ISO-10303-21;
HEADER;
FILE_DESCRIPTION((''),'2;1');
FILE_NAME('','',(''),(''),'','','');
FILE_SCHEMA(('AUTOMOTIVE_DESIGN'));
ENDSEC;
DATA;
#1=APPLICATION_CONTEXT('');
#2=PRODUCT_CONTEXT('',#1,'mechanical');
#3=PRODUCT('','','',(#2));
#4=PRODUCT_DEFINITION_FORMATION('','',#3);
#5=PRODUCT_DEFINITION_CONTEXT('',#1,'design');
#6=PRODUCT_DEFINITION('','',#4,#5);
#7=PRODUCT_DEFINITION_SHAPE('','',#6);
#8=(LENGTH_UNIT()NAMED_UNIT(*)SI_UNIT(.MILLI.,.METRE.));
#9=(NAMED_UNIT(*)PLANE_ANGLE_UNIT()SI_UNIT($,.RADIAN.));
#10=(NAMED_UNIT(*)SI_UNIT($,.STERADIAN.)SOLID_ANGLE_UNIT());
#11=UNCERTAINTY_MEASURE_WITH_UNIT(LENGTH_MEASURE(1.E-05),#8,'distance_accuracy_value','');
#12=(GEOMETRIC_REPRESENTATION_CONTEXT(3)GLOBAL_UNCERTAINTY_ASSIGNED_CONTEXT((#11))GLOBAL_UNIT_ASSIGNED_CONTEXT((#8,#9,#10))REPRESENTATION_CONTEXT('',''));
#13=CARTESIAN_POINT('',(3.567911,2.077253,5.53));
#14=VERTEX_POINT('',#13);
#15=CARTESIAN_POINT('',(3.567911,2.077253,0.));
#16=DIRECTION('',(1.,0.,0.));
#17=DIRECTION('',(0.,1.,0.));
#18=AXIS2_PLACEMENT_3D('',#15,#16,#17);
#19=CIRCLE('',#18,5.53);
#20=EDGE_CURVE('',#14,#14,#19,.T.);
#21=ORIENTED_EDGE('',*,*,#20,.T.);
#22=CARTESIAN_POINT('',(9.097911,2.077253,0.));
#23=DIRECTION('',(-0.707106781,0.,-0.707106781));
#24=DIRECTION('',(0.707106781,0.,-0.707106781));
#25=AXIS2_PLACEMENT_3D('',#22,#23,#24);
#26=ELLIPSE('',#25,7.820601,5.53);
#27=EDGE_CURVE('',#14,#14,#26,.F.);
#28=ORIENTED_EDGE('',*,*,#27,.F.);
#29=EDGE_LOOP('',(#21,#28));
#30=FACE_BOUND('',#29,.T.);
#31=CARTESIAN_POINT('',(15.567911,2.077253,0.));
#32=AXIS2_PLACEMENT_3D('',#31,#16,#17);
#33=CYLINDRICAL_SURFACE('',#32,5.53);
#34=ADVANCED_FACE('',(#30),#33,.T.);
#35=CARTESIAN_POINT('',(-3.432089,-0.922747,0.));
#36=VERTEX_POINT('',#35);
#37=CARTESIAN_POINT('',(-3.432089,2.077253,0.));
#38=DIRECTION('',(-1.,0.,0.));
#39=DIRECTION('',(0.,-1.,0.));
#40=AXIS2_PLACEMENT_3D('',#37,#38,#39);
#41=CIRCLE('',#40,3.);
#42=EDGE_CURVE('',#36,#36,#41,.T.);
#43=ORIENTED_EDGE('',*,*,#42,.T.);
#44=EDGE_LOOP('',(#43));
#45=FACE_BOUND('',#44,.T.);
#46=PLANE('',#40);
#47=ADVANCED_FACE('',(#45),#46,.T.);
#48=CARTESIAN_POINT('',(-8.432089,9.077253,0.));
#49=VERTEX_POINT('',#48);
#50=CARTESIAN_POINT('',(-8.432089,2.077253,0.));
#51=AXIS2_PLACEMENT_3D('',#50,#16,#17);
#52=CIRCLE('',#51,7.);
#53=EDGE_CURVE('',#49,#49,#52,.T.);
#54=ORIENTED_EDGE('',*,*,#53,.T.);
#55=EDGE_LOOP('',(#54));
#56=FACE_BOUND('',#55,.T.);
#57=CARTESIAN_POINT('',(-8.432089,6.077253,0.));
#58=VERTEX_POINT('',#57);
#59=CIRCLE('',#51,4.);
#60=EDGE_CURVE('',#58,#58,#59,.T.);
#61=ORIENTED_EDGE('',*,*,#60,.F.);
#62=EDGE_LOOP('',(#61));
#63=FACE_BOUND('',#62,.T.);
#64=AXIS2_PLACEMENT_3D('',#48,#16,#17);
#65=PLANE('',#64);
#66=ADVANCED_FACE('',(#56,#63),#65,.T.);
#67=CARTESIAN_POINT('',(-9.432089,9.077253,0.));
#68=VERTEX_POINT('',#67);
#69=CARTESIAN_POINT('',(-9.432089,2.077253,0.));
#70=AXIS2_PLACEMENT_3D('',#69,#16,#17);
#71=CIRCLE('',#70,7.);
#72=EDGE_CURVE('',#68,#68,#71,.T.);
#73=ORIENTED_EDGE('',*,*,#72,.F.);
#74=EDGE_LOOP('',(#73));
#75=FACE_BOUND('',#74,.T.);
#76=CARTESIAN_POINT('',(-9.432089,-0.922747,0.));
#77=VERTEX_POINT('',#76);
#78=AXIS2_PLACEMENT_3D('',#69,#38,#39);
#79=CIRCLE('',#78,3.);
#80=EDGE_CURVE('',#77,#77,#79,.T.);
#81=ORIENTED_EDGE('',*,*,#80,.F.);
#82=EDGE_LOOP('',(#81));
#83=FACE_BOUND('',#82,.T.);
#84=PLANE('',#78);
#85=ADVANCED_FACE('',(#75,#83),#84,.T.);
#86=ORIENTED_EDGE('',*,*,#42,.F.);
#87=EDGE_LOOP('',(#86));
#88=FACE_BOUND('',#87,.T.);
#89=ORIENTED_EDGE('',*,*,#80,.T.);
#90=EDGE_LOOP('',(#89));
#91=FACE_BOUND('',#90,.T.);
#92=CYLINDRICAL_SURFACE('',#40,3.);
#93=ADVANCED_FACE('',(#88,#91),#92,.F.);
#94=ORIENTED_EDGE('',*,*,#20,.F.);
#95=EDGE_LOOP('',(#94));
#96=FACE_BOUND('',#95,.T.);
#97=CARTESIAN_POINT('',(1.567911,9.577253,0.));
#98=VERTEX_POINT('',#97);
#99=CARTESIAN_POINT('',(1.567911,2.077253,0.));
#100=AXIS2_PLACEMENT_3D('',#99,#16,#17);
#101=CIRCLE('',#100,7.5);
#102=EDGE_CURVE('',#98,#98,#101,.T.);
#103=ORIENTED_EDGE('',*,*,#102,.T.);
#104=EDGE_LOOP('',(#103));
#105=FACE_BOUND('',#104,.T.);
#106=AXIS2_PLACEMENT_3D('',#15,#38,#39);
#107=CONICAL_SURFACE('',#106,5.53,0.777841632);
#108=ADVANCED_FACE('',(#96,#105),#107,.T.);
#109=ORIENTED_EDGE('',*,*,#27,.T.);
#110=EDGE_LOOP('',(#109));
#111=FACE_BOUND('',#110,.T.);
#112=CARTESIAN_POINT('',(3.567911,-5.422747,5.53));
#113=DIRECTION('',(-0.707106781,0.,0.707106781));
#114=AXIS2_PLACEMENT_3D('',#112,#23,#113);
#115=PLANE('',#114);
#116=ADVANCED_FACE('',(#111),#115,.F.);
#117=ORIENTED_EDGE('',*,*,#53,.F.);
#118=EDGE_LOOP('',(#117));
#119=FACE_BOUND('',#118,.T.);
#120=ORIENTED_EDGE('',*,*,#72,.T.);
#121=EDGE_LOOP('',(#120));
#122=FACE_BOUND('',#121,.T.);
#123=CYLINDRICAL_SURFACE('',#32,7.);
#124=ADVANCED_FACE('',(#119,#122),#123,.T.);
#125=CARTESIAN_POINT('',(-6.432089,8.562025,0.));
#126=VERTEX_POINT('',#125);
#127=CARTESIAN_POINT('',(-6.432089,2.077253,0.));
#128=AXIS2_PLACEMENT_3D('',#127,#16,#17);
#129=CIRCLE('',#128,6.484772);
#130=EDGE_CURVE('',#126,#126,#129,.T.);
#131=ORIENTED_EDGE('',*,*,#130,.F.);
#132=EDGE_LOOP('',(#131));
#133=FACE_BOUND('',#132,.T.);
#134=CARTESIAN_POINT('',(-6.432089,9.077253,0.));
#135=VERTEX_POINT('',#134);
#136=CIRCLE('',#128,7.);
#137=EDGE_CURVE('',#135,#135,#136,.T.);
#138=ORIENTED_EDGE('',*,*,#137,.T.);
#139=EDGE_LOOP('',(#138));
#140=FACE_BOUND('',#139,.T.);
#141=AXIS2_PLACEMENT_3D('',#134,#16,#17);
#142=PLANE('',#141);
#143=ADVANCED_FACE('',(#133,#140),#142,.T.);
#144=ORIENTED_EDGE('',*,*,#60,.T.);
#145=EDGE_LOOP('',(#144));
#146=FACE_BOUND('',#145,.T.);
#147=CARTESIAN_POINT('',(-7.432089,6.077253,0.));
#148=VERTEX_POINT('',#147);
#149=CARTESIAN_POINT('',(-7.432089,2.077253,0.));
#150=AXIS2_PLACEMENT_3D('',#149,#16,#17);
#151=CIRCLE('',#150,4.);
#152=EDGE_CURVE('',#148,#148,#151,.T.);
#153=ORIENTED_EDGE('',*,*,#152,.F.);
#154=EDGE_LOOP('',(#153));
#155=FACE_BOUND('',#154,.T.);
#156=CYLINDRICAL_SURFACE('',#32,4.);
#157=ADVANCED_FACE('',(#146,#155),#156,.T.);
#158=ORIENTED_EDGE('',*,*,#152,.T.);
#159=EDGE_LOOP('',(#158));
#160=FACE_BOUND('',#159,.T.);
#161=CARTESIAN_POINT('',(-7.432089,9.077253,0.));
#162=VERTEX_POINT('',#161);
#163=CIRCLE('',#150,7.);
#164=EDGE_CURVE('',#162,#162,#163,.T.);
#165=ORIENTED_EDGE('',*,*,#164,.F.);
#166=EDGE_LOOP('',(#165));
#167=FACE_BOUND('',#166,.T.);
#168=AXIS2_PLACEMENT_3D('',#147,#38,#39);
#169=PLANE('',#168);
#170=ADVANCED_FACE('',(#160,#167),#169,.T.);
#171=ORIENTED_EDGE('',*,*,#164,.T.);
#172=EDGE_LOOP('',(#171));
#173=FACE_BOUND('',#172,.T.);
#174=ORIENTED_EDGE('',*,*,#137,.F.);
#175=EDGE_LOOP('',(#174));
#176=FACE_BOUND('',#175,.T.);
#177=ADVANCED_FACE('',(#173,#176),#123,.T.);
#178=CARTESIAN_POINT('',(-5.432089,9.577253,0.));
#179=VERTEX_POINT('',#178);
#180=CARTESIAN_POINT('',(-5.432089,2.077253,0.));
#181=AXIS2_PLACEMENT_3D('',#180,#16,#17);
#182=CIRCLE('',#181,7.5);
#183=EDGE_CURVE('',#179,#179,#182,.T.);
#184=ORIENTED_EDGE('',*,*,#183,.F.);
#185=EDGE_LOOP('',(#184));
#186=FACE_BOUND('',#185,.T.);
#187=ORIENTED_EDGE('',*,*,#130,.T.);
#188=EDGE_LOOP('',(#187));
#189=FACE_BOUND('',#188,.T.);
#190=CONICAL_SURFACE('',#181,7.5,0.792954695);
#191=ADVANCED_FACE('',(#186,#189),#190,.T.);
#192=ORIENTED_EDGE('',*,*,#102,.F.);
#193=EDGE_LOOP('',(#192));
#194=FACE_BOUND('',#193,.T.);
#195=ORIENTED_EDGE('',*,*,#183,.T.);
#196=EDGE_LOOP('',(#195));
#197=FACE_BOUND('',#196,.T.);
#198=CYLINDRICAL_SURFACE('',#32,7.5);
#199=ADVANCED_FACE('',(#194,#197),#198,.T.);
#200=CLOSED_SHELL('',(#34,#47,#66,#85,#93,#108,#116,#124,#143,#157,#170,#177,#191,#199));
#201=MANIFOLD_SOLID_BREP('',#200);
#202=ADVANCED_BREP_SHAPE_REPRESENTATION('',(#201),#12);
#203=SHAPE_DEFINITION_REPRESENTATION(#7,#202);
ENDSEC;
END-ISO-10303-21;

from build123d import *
from build123d.topology import SkipClean

# Parameters (mm, degrees)
SKETCH_2_R               = 3
CUT_EXTRUDE_1_DEPTH      = 6
CUT_EXTRUDE_2_DEPTH      = 20.756862782
CUT_EXTRUDE_2_DEPTH_BACK = 20.756862782


with BuildPart() as part:
    # Эскиз1 → Повернуть1 (revolve)
    with BuildSketch(Plane.XY):
        Polygon((-9.432089165, 2.077253219), (-9.432089165, 9.077253219), (-8.432089165, 9.077253219), (-8.432089165, 6.077253219), (-7.432089165, 6.077253219), (-7.432089165, 9.077253219), (-6.432089165, 9.077253219), (-6.432089165, 8.562024792), (-5.432089165, 9.577253219), (1.567910835, 9.577253219), (3.567910835, 7.607253219), (15.567910835, 7.607253219), (15.567910835, 2.077253219), align=None)
    revolve(axis=Axis((15.567910835, 2.077253219, 0), (-1, 0, 0)))

    # Эскиз2 → Вырез-Вытянуть1 (cut)
    with BuildSketch(Plane.ZY.offset(9.432089165)):
        with Locations(Location((0, 2.077253219, 0), (0, 0, 270))):
            Circle(SKETCH_2_R)
    extrude(amount=-CUT_EXTRUDE_1_DEPTH, mode=Mode.SUBTRACT)

    # Эскиз3 → Вырез-Вытянуть2 (cut, two sides: drawn at the far end of the back side and taken through both)
    with SkipClean():  # the faces are left unmerged after this step: merging them gives an invalid solid
        with BuildSketch(Plane(origin=(0, 0, 0), x_dir=(1, 0, 0), z_dir=(0, 1, 0)).offset(-CUT_EXTRUDE_2_DEPTH_BACK)):
            Polygon((3.567910835, -5.53), (14.748858559, 5.650947724), (16.371941026, 5.650947724), (16.371941026, -6.819604623), (3.567910835, -5.789196512), align=None)
        extrude(amount=CUT_EXTRUDE_2_DEPTH + CUT_EXTRUDE_2_DEPTH_BACK, mode=Mode.SUBTRACT)


solid = part.part
